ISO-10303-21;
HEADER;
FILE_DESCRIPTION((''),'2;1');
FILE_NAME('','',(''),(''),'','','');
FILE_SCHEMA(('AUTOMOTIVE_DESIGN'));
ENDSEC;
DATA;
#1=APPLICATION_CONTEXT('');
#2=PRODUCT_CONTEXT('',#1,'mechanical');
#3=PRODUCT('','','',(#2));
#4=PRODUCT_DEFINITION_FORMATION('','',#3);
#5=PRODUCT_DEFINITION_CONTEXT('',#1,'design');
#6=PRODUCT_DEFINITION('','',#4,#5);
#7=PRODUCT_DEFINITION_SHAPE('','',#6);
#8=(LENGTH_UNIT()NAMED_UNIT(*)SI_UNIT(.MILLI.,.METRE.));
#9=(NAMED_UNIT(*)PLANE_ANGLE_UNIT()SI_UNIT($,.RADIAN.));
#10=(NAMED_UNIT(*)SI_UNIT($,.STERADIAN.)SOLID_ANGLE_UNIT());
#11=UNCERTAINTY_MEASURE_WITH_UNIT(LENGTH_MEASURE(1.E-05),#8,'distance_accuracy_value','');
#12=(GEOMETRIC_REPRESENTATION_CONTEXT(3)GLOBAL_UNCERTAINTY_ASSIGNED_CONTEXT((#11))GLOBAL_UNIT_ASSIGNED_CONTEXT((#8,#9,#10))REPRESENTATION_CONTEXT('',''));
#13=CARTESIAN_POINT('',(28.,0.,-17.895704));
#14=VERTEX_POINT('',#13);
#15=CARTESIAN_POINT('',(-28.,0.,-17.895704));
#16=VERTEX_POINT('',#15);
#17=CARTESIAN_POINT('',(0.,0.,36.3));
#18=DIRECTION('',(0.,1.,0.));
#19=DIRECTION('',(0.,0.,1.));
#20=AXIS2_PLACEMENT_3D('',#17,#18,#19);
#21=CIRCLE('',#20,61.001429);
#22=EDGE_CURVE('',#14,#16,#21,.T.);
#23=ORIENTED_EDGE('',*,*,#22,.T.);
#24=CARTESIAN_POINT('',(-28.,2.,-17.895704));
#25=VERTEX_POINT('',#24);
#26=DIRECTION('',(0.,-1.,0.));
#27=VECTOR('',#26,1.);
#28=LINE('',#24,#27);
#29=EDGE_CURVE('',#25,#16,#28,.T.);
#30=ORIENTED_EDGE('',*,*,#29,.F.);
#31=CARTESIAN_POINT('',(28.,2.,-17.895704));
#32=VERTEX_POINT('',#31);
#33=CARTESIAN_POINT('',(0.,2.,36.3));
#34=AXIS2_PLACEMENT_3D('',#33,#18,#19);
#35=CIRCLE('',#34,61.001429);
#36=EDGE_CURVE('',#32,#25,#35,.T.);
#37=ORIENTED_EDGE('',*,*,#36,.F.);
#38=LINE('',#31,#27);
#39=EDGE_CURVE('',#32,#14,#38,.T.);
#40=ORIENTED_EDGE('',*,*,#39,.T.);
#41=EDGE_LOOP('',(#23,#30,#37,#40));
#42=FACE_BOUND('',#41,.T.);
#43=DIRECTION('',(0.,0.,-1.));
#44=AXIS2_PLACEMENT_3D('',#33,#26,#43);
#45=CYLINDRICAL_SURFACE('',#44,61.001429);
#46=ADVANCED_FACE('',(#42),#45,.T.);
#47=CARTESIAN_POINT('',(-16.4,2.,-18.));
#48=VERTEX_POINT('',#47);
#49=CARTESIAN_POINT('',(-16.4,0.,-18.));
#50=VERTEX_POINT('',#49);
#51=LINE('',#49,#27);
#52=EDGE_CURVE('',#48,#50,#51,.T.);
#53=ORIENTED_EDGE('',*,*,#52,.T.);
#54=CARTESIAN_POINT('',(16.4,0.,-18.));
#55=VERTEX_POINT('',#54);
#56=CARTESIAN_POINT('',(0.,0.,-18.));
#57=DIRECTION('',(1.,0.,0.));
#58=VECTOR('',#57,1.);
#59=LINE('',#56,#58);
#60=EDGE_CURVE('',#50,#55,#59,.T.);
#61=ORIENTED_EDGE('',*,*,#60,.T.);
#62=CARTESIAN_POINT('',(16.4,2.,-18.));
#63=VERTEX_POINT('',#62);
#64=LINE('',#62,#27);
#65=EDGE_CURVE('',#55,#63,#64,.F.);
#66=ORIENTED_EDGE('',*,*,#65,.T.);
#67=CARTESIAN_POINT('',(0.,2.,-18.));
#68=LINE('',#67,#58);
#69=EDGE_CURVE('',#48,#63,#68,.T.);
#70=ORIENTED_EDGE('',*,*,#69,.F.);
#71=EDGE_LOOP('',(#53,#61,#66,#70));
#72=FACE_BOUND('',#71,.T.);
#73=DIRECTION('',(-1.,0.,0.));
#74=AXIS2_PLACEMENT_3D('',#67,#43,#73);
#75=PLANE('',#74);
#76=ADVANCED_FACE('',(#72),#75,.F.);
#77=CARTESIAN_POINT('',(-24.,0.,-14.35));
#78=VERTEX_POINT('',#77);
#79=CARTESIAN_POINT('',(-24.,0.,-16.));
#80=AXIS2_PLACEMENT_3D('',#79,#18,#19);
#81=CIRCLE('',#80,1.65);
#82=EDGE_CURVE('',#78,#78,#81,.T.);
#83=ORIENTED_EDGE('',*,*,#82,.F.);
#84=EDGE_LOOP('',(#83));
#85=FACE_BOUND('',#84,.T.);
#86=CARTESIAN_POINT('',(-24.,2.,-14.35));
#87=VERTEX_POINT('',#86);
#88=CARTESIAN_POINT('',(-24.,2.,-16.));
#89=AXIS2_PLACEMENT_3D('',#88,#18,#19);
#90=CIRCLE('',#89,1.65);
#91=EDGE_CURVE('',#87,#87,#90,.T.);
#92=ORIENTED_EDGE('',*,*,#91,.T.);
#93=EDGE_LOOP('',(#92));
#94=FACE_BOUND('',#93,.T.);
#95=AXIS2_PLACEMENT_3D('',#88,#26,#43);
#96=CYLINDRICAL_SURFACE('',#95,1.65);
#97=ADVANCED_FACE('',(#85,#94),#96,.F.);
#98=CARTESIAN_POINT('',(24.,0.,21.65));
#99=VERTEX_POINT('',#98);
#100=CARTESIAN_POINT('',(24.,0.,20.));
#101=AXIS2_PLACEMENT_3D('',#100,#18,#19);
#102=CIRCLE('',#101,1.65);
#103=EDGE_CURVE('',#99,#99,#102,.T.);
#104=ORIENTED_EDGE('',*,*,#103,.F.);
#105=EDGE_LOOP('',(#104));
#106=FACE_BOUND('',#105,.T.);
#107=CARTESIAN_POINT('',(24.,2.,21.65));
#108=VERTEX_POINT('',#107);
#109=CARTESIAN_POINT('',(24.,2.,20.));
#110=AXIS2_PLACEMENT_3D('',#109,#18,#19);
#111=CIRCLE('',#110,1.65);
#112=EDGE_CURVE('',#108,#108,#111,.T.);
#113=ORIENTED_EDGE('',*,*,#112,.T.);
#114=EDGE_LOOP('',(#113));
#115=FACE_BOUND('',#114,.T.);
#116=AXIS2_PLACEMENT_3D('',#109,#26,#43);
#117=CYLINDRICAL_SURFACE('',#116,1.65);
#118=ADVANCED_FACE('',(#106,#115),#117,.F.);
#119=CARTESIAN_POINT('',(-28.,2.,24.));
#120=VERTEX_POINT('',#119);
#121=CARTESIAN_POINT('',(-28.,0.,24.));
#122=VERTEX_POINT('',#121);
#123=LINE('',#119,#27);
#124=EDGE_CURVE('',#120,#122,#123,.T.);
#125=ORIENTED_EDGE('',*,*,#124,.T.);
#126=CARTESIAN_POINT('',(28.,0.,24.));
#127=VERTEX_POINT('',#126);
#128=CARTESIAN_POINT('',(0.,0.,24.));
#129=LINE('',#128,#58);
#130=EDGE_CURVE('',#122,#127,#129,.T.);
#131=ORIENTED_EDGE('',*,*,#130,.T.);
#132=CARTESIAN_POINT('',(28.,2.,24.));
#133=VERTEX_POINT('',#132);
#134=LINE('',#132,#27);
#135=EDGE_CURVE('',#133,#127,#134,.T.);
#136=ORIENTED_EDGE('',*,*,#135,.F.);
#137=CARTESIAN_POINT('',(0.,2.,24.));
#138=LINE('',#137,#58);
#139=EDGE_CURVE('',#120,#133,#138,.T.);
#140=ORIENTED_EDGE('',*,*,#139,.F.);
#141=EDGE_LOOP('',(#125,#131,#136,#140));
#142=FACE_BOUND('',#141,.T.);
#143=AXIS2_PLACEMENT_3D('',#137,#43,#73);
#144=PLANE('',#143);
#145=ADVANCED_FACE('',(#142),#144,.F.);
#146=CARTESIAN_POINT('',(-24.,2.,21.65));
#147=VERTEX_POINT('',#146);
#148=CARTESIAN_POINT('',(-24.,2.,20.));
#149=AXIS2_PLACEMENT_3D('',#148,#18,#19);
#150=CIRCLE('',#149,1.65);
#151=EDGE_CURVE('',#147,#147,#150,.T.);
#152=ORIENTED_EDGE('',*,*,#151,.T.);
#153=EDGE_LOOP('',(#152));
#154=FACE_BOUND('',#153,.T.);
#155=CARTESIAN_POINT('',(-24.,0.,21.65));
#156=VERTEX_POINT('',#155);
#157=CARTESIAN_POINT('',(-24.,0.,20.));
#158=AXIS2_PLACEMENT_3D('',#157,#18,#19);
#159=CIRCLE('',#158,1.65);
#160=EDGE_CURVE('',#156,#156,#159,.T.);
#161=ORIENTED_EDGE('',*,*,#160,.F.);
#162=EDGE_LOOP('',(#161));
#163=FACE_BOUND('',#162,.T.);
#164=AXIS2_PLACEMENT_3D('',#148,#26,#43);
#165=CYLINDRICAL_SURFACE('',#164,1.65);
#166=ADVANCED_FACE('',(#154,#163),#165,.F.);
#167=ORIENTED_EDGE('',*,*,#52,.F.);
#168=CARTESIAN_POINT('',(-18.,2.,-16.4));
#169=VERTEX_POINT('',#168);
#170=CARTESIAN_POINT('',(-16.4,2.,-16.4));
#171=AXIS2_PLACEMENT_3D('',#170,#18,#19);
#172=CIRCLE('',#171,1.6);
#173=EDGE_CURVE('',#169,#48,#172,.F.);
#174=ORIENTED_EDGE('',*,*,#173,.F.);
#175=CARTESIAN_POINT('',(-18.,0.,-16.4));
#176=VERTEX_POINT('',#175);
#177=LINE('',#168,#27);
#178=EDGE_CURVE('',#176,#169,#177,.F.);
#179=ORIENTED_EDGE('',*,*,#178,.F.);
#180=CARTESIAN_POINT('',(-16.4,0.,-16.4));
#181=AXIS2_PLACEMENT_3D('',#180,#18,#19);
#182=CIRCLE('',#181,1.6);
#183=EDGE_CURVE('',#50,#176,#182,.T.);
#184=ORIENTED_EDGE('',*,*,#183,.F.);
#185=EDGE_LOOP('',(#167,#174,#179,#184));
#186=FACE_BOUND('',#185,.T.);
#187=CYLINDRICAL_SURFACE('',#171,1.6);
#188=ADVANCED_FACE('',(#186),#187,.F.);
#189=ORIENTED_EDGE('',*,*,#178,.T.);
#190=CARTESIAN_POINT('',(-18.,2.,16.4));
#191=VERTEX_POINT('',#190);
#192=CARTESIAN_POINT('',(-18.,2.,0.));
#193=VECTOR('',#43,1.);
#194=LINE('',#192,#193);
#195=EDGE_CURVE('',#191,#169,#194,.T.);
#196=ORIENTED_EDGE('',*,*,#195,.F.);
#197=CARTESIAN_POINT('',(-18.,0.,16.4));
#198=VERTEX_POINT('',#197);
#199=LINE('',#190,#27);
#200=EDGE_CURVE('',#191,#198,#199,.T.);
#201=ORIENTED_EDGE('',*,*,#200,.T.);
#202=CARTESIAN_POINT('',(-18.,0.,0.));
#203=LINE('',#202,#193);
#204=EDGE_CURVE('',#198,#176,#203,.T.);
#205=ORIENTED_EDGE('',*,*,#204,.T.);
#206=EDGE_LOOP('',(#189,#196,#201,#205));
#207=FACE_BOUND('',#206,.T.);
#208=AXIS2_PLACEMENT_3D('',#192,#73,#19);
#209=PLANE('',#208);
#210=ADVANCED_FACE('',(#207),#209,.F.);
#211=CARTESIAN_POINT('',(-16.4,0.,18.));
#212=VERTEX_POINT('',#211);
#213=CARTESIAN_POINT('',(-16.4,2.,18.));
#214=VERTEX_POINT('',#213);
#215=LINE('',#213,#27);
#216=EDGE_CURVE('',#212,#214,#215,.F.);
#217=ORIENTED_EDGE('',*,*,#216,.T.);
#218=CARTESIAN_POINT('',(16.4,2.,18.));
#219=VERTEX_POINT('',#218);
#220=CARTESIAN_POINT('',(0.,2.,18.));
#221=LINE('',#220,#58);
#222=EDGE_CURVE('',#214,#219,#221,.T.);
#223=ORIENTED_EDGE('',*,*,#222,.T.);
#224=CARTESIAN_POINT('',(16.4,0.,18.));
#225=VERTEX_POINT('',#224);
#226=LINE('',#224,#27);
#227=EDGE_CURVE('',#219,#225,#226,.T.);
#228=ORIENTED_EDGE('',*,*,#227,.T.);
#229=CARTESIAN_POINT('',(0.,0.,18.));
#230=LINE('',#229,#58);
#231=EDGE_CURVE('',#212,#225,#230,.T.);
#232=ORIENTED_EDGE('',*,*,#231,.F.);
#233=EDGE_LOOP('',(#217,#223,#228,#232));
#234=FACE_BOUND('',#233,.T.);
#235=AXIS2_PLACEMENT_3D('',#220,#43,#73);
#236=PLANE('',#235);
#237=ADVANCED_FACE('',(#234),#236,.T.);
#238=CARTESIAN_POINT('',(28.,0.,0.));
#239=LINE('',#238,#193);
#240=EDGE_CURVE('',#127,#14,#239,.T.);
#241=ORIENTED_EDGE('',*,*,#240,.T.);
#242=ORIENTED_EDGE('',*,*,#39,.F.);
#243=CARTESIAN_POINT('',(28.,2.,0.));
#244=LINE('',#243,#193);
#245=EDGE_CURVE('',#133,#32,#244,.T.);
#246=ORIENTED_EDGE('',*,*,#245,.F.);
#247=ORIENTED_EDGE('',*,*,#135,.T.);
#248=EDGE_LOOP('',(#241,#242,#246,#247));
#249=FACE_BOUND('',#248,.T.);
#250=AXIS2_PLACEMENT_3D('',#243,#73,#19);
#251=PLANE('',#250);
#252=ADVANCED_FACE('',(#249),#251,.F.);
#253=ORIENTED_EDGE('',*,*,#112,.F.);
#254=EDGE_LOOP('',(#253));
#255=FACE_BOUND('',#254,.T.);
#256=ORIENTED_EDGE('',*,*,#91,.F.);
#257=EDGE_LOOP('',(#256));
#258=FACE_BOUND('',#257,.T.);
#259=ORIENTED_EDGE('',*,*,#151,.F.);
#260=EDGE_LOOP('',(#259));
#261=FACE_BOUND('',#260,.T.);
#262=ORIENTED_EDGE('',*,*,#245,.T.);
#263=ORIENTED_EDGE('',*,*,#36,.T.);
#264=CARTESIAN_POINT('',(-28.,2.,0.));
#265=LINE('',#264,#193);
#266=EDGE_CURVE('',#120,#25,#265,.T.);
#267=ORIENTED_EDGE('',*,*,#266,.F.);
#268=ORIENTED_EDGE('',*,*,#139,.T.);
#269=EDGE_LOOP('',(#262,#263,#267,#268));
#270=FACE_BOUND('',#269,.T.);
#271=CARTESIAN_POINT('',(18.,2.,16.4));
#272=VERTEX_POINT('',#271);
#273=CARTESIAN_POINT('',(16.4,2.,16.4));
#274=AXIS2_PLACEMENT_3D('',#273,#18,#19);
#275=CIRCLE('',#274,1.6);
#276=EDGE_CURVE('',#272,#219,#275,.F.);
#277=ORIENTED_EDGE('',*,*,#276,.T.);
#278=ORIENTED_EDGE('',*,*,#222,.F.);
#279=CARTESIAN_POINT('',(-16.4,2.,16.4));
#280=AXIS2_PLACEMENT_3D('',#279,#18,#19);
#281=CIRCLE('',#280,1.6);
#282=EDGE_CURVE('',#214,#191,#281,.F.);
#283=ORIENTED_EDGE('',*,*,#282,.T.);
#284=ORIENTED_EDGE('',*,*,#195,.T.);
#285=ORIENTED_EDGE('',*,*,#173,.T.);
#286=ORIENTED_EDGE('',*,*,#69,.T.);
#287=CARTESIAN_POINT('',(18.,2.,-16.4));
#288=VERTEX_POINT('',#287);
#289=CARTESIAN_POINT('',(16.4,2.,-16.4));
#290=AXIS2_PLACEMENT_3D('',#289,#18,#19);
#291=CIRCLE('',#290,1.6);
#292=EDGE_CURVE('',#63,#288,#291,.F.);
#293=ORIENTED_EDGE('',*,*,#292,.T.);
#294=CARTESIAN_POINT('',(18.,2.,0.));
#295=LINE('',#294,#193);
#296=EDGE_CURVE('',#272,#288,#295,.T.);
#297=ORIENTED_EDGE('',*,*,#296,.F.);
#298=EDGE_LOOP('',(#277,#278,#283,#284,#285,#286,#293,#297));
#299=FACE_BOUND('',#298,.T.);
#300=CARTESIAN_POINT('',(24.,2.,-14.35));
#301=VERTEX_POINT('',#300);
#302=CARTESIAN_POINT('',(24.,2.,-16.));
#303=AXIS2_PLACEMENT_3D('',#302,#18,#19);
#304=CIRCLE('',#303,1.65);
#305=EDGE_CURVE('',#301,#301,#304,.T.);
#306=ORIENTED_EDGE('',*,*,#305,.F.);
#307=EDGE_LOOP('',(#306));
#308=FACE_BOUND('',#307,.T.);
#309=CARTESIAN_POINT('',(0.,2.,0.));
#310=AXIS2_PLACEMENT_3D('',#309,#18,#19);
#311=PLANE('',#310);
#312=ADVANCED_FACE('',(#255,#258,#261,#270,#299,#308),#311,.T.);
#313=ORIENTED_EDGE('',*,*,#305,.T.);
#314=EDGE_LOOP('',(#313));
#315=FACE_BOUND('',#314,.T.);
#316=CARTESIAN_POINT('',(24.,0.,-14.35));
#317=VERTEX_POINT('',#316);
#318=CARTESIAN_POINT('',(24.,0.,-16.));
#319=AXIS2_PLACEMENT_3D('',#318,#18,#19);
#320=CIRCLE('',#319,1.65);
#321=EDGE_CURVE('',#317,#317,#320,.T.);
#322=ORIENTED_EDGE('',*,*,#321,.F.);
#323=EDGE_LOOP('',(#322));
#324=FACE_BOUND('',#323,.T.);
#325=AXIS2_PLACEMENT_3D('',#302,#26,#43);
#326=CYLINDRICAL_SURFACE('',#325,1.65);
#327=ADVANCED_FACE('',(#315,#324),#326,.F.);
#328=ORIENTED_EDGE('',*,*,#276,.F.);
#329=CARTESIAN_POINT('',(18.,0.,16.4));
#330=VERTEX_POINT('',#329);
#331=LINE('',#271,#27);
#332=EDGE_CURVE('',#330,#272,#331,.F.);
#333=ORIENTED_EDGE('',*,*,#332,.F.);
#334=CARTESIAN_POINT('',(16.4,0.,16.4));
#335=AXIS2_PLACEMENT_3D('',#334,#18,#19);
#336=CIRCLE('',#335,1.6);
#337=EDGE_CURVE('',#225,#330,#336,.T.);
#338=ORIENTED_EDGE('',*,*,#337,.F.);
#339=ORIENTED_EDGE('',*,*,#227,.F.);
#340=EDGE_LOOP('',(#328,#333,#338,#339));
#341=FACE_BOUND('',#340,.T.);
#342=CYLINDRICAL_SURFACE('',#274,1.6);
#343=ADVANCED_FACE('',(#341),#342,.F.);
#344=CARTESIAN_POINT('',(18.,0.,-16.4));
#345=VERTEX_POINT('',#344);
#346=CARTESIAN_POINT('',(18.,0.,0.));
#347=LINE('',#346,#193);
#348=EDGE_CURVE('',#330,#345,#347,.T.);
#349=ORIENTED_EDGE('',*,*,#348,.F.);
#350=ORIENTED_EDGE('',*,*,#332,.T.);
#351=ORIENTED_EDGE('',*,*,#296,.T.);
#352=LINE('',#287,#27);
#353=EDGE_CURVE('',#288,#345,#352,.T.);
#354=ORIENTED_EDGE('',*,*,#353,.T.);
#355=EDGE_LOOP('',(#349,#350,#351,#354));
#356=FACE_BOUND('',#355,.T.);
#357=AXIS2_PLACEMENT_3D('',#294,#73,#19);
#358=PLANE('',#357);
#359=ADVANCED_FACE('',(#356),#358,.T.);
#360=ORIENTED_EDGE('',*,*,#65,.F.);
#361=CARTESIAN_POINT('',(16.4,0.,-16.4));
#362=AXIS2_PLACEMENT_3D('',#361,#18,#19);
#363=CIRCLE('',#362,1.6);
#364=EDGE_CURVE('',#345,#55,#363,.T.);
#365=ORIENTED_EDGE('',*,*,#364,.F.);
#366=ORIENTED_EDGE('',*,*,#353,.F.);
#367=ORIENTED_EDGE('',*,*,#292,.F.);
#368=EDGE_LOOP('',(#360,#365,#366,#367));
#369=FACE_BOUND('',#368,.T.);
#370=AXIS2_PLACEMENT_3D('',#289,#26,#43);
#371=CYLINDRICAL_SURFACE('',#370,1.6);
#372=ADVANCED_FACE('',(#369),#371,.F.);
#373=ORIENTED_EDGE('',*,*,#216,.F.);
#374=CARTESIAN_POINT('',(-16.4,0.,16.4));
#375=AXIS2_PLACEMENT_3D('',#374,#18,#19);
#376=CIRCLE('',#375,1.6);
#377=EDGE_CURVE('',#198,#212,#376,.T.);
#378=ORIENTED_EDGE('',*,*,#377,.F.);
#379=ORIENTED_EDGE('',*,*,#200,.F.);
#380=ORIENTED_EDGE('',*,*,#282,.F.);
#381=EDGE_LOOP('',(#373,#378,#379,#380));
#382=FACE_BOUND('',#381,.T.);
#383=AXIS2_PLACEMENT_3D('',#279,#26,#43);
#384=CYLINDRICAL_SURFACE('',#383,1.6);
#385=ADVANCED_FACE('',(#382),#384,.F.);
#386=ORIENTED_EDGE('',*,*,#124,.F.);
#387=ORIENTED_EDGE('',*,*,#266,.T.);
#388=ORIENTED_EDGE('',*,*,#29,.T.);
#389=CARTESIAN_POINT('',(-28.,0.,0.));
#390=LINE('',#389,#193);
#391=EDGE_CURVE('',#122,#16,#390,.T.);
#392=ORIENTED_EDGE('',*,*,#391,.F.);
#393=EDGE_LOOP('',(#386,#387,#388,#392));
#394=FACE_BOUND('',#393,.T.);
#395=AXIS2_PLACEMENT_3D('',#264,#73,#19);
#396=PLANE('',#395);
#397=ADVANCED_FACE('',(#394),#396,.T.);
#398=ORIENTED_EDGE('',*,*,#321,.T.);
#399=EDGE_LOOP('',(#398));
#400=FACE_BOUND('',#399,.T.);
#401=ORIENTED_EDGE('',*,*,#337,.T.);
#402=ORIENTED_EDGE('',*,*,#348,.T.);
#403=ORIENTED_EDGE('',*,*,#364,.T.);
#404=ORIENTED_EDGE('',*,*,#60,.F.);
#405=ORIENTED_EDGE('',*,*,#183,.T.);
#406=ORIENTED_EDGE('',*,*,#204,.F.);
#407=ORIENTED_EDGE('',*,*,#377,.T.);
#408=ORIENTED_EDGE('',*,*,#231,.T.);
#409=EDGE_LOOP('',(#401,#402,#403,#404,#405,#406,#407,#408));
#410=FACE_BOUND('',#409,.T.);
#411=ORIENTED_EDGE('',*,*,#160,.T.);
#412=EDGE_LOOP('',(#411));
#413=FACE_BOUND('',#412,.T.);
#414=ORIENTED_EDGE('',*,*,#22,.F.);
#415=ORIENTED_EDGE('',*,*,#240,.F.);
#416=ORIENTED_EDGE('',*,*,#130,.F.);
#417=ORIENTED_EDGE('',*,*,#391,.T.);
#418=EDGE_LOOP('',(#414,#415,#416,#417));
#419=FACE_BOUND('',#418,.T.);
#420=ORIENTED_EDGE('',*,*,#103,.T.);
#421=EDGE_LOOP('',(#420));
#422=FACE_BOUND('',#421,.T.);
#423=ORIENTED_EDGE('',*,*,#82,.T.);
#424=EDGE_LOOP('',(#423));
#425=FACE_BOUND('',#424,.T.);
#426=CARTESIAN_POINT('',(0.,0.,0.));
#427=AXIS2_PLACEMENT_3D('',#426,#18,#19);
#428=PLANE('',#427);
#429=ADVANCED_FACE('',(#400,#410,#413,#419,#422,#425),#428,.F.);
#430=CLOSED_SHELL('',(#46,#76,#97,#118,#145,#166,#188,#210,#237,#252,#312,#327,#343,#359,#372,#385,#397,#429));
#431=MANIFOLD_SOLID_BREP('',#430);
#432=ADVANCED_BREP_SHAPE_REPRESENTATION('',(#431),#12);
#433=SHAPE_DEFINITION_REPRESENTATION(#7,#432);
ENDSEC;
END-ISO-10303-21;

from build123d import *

# Parameters (mm, degrees)
SKETCH1_R           = 1.65
SKETCH1_W           = 36
SKETCH1_H           = 36
BOSS_EXTRUDE1_DEPTH = 2
FILLET1_R           = 1.6


with BuildPart() as part:
    # Sketch1 → Boss-Extrude1 (new body)
    with BuildSketch(Plane(origin=(0, 0, 0), x_dir=(1, 0, 0), z_dir=(0, 1, 0))):
        with BuildLine():
            Line((-28, -24), (28, -24))
            Line((28, -24), (28, 17.89570392))
            ThreePointArc((28, 17.89570392), (0, 24.701428863), (-28, 17.89570392))
            Line((-28, 17.89570392), (-28, -24))
        make_face()
        with Locations((-24, 16)):
            Circle(SKETCH1_R, mode=Mode.SUBTRACT)
        with Locations((-24, -20)):
            Circle(SKETCH1_R, mode=Mode.SUBTRACT)
        with Locations((24, 16)):
            Circle(SKETCH1_R, mode=Mode.SUBTRACT)
        with Locations((24, -20)):
            Circle(SKETCH1_R, mode=Mode.SUBTRACT)
        Rectangle(SKETCH1_W, SKETCH1_H, mode=Mode.SUBTRACT)
    extrude(amount=BOSS_EXTRUDE1_DEPTH)

    # Fillet1
    fillet1_edges = [part.edges().sort_by_distance(p)[0] for p in [
        (18, 1, -18),
        (-18, 1, -18),
        (-18, 1, 18),
        (18, 1, 18),
    ]]
    fillet(fillet1_edges, radius=FILLET1_R)


solid = part.part
